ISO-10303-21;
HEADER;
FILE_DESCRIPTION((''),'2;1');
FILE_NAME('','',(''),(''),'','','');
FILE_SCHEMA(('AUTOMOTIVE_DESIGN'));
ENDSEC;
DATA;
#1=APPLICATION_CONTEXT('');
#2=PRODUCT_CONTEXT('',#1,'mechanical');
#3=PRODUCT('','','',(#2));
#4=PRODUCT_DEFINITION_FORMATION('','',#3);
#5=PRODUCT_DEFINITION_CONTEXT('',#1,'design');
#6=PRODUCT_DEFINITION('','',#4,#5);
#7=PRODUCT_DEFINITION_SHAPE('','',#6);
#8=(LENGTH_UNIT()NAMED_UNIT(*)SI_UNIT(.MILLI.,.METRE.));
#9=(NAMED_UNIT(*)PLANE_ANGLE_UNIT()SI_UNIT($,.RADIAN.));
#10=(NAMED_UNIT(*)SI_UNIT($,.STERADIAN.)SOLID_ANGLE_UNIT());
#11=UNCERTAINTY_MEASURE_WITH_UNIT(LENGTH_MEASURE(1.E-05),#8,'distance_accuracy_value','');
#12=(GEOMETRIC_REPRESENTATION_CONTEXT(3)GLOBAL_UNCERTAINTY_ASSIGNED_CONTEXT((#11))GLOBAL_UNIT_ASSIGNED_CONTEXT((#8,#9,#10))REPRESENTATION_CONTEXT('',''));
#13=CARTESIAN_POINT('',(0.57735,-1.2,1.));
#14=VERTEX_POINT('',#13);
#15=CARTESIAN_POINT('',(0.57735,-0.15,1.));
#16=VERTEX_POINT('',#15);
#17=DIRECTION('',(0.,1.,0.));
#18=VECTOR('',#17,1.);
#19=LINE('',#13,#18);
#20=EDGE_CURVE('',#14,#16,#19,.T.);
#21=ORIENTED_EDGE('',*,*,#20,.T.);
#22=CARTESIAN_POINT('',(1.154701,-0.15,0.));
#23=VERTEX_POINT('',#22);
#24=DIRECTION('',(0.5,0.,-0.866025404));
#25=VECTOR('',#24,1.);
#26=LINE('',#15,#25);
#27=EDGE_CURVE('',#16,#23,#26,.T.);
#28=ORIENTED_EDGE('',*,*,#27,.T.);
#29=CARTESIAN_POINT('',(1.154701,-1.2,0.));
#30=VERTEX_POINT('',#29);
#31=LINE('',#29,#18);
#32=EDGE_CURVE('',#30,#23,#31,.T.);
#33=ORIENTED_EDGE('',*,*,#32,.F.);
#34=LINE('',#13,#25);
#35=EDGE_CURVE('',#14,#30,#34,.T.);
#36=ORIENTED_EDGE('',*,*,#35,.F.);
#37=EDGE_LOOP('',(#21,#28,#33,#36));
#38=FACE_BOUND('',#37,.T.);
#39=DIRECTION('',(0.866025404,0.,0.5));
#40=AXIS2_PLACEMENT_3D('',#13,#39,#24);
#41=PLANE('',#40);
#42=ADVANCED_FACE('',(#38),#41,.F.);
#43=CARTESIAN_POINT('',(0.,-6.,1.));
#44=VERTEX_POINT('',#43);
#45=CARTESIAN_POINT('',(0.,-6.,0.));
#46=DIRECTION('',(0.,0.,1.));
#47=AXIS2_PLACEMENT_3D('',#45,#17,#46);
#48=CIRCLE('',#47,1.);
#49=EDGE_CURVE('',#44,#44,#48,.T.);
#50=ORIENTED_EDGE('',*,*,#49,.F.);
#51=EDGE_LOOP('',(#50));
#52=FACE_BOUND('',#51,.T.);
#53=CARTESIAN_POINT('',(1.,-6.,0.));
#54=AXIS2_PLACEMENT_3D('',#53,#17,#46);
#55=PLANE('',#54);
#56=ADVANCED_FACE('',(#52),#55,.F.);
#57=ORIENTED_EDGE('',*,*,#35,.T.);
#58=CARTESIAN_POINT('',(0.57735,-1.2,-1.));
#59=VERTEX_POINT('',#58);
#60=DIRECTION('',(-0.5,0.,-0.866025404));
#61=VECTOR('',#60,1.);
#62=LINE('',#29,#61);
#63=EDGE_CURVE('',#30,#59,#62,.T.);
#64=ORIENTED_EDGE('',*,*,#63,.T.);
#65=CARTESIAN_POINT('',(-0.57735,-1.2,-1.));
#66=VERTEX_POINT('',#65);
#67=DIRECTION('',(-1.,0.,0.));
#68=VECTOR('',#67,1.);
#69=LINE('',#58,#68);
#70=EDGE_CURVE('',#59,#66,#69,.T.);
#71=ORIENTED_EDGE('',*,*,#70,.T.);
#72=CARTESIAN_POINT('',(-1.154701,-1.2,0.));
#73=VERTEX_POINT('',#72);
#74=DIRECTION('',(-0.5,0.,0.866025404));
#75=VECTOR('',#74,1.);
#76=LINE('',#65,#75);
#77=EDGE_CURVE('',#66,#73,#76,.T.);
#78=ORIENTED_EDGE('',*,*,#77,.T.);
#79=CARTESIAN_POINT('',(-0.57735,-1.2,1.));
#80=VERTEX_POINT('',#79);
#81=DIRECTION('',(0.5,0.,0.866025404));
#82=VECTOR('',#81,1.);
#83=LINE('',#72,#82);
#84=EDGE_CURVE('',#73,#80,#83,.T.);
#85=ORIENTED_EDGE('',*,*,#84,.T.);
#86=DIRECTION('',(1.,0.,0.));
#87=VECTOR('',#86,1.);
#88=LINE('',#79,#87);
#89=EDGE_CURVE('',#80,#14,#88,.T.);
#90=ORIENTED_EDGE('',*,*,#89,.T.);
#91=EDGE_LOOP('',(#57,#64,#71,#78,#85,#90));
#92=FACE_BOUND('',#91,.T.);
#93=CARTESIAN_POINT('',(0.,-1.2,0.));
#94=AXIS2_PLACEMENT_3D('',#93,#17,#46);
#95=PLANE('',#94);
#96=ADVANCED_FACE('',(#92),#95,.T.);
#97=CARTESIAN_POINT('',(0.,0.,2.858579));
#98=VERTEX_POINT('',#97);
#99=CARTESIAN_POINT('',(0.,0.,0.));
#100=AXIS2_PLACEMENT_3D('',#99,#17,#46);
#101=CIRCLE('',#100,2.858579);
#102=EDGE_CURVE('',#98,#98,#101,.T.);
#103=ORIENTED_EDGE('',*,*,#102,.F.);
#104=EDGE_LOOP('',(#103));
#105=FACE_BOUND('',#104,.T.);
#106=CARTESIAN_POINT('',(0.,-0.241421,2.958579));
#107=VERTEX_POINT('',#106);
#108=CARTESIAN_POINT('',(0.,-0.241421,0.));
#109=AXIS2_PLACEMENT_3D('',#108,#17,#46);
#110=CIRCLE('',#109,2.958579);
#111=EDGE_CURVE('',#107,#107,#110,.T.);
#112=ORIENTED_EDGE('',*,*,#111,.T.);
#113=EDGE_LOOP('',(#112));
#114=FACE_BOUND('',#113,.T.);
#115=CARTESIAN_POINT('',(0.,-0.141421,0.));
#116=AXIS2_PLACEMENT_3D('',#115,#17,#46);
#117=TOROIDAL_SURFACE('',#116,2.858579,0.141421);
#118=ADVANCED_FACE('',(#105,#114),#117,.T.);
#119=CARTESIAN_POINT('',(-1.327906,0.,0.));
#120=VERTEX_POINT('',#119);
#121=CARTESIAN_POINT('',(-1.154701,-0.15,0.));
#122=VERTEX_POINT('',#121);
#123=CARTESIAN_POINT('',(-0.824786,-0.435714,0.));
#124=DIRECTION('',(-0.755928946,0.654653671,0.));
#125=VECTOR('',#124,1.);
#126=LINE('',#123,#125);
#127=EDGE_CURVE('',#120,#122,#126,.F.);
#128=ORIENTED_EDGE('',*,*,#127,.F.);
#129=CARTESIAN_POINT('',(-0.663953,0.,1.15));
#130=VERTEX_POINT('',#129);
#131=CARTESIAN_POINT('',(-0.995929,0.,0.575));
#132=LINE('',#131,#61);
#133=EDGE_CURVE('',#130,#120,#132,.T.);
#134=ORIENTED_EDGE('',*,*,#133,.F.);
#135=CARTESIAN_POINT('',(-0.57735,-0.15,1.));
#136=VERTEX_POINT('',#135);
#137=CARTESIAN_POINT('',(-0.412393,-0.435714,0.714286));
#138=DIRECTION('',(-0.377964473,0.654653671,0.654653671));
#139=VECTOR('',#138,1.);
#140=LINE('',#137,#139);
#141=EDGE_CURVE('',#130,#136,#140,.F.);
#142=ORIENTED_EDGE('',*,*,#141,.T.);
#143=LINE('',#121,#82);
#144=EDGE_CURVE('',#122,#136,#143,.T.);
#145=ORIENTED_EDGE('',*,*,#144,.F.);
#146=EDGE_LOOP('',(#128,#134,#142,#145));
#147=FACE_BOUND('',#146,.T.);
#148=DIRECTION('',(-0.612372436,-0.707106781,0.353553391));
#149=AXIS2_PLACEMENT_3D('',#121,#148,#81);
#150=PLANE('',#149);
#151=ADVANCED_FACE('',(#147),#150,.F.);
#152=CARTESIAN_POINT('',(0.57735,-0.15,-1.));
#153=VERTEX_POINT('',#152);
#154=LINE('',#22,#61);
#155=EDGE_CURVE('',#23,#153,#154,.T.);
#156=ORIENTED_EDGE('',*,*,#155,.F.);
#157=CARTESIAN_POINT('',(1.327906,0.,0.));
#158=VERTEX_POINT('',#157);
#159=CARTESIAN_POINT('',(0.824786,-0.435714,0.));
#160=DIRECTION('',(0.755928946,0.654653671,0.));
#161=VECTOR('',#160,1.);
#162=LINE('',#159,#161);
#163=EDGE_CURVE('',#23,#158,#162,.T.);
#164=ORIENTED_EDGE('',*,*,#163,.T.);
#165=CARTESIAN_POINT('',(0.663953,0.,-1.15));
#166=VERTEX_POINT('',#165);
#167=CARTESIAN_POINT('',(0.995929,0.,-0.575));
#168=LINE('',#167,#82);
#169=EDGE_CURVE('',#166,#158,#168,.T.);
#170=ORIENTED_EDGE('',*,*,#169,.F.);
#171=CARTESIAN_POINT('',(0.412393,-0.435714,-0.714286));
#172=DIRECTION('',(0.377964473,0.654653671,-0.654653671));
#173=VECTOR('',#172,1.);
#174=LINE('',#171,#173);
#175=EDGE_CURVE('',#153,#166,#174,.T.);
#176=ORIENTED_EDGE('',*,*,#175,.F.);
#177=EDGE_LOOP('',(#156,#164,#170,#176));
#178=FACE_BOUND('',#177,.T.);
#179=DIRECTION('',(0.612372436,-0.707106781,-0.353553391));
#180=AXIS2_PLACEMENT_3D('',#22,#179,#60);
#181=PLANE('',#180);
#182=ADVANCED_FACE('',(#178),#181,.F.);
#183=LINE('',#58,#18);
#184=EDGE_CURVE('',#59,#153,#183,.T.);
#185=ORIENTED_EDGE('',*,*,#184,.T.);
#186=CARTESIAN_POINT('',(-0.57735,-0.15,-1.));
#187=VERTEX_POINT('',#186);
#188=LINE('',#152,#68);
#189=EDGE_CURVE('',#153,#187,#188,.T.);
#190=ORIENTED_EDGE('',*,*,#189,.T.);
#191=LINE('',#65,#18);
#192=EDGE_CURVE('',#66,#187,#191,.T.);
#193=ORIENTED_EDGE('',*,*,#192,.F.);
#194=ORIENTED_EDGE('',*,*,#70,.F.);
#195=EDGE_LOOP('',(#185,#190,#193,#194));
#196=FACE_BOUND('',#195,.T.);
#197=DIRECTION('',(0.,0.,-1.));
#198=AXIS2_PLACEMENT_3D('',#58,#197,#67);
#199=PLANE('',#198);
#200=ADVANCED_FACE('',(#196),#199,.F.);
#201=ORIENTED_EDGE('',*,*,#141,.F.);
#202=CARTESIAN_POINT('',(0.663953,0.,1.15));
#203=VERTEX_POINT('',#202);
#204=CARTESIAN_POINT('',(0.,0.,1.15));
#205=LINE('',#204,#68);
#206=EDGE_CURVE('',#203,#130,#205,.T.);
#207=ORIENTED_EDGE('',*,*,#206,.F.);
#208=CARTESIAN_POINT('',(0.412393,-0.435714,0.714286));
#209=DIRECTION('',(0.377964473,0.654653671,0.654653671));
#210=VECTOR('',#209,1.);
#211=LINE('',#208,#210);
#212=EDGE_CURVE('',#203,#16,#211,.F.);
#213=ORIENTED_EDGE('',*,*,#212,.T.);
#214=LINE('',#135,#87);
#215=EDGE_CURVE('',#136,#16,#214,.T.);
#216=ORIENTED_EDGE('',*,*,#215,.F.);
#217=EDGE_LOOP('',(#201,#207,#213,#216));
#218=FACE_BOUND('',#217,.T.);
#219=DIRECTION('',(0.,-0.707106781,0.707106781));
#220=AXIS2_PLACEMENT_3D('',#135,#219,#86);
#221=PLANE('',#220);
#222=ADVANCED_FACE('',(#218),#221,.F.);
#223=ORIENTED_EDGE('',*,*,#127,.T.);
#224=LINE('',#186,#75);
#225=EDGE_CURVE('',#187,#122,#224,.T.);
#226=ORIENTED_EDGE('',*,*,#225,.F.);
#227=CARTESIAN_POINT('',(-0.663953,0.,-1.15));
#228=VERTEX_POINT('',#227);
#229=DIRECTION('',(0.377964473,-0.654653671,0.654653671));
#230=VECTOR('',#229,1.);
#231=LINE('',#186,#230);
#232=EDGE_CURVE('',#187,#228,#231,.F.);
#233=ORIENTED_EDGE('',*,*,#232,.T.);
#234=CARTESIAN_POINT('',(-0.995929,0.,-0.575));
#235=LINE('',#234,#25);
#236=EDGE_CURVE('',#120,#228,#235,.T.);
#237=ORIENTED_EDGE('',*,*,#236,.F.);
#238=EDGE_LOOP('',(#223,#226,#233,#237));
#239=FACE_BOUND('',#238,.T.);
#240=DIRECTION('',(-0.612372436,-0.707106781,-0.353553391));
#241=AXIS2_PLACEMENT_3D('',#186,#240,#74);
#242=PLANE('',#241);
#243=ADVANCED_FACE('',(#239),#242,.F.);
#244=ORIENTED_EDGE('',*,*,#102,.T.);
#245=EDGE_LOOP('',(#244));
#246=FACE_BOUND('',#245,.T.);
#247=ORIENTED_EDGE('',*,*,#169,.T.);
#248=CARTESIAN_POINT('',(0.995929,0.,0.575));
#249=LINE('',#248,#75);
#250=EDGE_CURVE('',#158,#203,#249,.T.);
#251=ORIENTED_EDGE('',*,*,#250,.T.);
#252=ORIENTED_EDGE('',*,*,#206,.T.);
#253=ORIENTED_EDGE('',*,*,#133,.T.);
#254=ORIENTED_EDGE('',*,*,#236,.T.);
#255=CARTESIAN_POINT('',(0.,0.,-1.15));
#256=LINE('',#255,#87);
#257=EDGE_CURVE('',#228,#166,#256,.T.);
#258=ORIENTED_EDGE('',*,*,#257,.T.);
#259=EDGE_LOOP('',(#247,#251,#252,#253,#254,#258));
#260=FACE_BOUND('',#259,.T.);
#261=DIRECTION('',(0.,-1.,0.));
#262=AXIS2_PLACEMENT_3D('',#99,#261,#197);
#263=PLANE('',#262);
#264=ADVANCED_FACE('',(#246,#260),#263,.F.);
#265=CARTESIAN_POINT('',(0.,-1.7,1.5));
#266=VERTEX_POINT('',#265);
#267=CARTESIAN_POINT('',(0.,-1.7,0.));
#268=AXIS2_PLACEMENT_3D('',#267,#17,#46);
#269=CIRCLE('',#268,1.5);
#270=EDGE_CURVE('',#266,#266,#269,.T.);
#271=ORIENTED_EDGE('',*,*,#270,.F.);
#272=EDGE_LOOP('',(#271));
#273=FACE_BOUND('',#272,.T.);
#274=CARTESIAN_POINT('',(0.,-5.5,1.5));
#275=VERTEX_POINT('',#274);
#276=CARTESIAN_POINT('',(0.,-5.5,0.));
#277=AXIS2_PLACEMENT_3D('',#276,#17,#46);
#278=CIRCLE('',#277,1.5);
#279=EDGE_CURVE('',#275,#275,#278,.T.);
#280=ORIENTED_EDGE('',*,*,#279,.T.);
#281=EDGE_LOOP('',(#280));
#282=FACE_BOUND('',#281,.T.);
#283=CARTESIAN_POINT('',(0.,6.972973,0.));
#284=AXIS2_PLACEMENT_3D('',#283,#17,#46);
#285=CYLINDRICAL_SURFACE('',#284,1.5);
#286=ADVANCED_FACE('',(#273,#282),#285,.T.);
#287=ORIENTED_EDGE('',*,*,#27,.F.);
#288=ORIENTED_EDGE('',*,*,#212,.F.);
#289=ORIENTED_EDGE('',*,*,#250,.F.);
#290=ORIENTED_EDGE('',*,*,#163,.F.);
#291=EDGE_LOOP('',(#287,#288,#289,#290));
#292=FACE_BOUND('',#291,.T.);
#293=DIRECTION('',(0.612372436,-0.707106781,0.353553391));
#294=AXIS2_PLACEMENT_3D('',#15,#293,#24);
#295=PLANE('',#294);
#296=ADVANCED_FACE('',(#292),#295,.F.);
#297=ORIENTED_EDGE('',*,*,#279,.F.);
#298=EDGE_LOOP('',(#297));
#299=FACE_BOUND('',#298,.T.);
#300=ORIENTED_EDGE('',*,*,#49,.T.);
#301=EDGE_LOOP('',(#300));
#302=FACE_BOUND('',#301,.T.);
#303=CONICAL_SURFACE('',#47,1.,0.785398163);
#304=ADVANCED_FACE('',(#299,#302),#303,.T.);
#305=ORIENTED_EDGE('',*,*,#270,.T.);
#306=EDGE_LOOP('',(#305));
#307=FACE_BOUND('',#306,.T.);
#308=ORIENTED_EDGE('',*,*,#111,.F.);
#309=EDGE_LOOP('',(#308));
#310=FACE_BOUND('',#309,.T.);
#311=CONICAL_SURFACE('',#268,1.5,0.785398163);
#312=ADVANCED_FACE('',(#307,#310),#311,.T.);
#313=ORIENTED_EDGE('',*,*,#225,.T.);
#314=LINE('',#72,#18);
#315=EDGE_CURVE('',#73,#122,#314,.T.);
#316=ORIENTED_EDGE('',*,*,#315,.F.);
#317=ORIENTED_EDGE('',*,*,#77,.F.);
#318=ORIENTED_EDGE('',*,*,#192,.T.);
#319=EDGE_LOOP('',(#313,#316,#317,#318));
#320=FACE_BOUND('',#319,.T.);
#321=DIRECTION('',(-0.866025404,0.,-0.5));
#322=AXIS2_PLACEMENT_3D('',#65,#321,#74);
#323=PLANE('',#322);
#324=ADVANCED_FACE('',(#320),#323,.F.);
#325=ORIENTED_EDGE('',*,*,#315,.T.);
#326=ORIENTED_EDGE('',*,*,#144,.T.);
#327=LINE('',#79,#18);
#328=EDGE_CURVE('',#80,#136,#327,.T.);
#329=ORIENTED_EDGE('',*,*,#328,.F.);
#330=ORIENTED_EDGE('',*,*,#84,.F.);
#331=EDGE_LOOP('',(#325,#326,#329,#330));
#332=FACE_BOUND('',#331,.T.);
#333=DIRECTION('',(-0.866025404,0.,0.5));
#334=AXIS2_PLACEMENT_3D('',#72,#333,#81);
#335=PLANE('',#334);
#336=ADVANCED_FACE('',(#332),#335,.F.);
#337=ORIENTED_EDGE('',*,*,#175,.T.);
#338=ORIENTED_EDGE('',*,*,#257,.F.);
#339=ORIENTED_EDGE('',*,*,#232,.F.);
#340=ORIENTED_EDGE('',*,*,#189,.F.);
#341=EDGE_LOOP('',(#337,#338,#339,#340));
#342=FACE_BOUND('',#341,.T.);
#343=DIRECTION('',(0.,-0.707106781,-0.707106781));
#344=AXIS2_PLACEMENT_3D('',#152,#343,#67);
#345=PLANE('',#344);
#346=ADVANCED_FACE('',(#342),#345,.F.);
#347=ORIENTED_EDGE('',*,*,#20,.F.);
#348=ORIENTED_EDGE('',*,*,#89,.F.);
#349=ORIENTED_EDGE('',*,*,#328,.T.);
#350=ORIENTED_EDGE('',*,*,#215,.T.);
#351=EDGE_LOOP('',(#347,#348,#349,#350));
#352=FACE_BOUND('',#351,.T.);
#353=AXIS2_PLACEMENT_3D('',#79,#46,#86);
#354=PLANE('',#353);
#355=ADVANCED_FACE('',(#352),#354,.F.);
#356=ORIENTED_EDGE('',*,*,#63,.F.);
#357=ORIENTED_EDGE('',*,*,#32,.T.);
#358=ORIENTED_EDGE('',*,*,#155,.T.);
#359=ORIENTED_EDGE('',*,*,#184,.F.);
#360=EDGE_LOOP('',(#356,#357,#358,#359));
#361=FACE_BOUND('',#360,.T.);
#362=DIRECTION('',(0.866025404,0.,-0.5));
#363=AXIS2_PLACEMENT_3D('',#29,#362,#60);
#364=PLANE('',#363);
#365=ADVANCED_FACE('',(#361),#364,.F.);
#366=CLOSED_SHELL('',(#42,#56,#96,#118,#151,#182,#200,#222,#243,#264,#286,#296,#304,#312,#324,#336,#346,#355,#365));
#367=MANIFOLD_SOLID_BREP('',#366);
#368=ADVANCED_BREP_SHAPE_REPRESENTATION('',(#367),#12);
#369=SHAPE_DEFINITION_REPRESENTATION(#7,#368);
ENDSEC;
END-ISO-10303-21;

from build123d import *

# Parameters (mm, degrees)
ENL_V_MAT_EXTRU_1_DEPTH = 1.2
CHANFREIN1_SIZE         = 0.15


with BuildPart() as part:
    # Esquisse1 → Révolution1 (revolve)
    with BuildSketch(Plane.XY, mode=Mode.PRIVATE) as r_volution1_sk:
        with BuildLine():
            Line((1.5, -5.5), (1, -6))
            Line((1, -6), (0, -6))
            Line((0, -6), (0, 0))
            Line((0, 0), (2.858578644, 0))
            ThreePointArc((2.858578644, 0), (2.98923494, -0.087301746), (2.958578644, -0.241421356))
            Line((2.958578644, -0.241421356), (1.5, -1.7))
            Line((1.5, -1.7), (1.5, -5.5))
        make_face()
    revolve(r_volution1_sk.sketch.rotate(Axis((0, 6.972972973, 0), (0, -1, 0)), 90), axis=Axis((0, 6.972972973, 0), (0, -1, 0)))

    # Esquisse2 → Enlèv. mat.-Extru.1 (cut)
    with BuildSketch(Plane(origin=(0, 0, 0), x_dir=(1, 0, 0), z_dir=(0, 1, 0))):
        Polygon((-1.154700538, 0), (-0.577350269, -1), (0.577350269, -1), (1.154700538, 0), (0.577350269, 1), (-0.577350269, 1), align=None)
    extrude(amount=-ENL_V_MAT_EXTRU_1_DEPTH, mode=Mode.SUBTRACT)

    # Chanfrein1
    chanfrein1_edges = [part.edges().sort_by_distance(p)[0] for p in [
        (-0.8660254037844384, 0, -0.49999999999999983),
        (-0.8660254037844384, 0, 0.5),
        (0, 0, 1),
        (0.866025403784439, 0, 0.5),
        (0.866025403784439, 0, -0.5000000000000004),
        (0, 0, -1),
    ]]
    chamfer(chanfrein1_edges, length=CHANFREIN1_SIZE)


solid = part.part
